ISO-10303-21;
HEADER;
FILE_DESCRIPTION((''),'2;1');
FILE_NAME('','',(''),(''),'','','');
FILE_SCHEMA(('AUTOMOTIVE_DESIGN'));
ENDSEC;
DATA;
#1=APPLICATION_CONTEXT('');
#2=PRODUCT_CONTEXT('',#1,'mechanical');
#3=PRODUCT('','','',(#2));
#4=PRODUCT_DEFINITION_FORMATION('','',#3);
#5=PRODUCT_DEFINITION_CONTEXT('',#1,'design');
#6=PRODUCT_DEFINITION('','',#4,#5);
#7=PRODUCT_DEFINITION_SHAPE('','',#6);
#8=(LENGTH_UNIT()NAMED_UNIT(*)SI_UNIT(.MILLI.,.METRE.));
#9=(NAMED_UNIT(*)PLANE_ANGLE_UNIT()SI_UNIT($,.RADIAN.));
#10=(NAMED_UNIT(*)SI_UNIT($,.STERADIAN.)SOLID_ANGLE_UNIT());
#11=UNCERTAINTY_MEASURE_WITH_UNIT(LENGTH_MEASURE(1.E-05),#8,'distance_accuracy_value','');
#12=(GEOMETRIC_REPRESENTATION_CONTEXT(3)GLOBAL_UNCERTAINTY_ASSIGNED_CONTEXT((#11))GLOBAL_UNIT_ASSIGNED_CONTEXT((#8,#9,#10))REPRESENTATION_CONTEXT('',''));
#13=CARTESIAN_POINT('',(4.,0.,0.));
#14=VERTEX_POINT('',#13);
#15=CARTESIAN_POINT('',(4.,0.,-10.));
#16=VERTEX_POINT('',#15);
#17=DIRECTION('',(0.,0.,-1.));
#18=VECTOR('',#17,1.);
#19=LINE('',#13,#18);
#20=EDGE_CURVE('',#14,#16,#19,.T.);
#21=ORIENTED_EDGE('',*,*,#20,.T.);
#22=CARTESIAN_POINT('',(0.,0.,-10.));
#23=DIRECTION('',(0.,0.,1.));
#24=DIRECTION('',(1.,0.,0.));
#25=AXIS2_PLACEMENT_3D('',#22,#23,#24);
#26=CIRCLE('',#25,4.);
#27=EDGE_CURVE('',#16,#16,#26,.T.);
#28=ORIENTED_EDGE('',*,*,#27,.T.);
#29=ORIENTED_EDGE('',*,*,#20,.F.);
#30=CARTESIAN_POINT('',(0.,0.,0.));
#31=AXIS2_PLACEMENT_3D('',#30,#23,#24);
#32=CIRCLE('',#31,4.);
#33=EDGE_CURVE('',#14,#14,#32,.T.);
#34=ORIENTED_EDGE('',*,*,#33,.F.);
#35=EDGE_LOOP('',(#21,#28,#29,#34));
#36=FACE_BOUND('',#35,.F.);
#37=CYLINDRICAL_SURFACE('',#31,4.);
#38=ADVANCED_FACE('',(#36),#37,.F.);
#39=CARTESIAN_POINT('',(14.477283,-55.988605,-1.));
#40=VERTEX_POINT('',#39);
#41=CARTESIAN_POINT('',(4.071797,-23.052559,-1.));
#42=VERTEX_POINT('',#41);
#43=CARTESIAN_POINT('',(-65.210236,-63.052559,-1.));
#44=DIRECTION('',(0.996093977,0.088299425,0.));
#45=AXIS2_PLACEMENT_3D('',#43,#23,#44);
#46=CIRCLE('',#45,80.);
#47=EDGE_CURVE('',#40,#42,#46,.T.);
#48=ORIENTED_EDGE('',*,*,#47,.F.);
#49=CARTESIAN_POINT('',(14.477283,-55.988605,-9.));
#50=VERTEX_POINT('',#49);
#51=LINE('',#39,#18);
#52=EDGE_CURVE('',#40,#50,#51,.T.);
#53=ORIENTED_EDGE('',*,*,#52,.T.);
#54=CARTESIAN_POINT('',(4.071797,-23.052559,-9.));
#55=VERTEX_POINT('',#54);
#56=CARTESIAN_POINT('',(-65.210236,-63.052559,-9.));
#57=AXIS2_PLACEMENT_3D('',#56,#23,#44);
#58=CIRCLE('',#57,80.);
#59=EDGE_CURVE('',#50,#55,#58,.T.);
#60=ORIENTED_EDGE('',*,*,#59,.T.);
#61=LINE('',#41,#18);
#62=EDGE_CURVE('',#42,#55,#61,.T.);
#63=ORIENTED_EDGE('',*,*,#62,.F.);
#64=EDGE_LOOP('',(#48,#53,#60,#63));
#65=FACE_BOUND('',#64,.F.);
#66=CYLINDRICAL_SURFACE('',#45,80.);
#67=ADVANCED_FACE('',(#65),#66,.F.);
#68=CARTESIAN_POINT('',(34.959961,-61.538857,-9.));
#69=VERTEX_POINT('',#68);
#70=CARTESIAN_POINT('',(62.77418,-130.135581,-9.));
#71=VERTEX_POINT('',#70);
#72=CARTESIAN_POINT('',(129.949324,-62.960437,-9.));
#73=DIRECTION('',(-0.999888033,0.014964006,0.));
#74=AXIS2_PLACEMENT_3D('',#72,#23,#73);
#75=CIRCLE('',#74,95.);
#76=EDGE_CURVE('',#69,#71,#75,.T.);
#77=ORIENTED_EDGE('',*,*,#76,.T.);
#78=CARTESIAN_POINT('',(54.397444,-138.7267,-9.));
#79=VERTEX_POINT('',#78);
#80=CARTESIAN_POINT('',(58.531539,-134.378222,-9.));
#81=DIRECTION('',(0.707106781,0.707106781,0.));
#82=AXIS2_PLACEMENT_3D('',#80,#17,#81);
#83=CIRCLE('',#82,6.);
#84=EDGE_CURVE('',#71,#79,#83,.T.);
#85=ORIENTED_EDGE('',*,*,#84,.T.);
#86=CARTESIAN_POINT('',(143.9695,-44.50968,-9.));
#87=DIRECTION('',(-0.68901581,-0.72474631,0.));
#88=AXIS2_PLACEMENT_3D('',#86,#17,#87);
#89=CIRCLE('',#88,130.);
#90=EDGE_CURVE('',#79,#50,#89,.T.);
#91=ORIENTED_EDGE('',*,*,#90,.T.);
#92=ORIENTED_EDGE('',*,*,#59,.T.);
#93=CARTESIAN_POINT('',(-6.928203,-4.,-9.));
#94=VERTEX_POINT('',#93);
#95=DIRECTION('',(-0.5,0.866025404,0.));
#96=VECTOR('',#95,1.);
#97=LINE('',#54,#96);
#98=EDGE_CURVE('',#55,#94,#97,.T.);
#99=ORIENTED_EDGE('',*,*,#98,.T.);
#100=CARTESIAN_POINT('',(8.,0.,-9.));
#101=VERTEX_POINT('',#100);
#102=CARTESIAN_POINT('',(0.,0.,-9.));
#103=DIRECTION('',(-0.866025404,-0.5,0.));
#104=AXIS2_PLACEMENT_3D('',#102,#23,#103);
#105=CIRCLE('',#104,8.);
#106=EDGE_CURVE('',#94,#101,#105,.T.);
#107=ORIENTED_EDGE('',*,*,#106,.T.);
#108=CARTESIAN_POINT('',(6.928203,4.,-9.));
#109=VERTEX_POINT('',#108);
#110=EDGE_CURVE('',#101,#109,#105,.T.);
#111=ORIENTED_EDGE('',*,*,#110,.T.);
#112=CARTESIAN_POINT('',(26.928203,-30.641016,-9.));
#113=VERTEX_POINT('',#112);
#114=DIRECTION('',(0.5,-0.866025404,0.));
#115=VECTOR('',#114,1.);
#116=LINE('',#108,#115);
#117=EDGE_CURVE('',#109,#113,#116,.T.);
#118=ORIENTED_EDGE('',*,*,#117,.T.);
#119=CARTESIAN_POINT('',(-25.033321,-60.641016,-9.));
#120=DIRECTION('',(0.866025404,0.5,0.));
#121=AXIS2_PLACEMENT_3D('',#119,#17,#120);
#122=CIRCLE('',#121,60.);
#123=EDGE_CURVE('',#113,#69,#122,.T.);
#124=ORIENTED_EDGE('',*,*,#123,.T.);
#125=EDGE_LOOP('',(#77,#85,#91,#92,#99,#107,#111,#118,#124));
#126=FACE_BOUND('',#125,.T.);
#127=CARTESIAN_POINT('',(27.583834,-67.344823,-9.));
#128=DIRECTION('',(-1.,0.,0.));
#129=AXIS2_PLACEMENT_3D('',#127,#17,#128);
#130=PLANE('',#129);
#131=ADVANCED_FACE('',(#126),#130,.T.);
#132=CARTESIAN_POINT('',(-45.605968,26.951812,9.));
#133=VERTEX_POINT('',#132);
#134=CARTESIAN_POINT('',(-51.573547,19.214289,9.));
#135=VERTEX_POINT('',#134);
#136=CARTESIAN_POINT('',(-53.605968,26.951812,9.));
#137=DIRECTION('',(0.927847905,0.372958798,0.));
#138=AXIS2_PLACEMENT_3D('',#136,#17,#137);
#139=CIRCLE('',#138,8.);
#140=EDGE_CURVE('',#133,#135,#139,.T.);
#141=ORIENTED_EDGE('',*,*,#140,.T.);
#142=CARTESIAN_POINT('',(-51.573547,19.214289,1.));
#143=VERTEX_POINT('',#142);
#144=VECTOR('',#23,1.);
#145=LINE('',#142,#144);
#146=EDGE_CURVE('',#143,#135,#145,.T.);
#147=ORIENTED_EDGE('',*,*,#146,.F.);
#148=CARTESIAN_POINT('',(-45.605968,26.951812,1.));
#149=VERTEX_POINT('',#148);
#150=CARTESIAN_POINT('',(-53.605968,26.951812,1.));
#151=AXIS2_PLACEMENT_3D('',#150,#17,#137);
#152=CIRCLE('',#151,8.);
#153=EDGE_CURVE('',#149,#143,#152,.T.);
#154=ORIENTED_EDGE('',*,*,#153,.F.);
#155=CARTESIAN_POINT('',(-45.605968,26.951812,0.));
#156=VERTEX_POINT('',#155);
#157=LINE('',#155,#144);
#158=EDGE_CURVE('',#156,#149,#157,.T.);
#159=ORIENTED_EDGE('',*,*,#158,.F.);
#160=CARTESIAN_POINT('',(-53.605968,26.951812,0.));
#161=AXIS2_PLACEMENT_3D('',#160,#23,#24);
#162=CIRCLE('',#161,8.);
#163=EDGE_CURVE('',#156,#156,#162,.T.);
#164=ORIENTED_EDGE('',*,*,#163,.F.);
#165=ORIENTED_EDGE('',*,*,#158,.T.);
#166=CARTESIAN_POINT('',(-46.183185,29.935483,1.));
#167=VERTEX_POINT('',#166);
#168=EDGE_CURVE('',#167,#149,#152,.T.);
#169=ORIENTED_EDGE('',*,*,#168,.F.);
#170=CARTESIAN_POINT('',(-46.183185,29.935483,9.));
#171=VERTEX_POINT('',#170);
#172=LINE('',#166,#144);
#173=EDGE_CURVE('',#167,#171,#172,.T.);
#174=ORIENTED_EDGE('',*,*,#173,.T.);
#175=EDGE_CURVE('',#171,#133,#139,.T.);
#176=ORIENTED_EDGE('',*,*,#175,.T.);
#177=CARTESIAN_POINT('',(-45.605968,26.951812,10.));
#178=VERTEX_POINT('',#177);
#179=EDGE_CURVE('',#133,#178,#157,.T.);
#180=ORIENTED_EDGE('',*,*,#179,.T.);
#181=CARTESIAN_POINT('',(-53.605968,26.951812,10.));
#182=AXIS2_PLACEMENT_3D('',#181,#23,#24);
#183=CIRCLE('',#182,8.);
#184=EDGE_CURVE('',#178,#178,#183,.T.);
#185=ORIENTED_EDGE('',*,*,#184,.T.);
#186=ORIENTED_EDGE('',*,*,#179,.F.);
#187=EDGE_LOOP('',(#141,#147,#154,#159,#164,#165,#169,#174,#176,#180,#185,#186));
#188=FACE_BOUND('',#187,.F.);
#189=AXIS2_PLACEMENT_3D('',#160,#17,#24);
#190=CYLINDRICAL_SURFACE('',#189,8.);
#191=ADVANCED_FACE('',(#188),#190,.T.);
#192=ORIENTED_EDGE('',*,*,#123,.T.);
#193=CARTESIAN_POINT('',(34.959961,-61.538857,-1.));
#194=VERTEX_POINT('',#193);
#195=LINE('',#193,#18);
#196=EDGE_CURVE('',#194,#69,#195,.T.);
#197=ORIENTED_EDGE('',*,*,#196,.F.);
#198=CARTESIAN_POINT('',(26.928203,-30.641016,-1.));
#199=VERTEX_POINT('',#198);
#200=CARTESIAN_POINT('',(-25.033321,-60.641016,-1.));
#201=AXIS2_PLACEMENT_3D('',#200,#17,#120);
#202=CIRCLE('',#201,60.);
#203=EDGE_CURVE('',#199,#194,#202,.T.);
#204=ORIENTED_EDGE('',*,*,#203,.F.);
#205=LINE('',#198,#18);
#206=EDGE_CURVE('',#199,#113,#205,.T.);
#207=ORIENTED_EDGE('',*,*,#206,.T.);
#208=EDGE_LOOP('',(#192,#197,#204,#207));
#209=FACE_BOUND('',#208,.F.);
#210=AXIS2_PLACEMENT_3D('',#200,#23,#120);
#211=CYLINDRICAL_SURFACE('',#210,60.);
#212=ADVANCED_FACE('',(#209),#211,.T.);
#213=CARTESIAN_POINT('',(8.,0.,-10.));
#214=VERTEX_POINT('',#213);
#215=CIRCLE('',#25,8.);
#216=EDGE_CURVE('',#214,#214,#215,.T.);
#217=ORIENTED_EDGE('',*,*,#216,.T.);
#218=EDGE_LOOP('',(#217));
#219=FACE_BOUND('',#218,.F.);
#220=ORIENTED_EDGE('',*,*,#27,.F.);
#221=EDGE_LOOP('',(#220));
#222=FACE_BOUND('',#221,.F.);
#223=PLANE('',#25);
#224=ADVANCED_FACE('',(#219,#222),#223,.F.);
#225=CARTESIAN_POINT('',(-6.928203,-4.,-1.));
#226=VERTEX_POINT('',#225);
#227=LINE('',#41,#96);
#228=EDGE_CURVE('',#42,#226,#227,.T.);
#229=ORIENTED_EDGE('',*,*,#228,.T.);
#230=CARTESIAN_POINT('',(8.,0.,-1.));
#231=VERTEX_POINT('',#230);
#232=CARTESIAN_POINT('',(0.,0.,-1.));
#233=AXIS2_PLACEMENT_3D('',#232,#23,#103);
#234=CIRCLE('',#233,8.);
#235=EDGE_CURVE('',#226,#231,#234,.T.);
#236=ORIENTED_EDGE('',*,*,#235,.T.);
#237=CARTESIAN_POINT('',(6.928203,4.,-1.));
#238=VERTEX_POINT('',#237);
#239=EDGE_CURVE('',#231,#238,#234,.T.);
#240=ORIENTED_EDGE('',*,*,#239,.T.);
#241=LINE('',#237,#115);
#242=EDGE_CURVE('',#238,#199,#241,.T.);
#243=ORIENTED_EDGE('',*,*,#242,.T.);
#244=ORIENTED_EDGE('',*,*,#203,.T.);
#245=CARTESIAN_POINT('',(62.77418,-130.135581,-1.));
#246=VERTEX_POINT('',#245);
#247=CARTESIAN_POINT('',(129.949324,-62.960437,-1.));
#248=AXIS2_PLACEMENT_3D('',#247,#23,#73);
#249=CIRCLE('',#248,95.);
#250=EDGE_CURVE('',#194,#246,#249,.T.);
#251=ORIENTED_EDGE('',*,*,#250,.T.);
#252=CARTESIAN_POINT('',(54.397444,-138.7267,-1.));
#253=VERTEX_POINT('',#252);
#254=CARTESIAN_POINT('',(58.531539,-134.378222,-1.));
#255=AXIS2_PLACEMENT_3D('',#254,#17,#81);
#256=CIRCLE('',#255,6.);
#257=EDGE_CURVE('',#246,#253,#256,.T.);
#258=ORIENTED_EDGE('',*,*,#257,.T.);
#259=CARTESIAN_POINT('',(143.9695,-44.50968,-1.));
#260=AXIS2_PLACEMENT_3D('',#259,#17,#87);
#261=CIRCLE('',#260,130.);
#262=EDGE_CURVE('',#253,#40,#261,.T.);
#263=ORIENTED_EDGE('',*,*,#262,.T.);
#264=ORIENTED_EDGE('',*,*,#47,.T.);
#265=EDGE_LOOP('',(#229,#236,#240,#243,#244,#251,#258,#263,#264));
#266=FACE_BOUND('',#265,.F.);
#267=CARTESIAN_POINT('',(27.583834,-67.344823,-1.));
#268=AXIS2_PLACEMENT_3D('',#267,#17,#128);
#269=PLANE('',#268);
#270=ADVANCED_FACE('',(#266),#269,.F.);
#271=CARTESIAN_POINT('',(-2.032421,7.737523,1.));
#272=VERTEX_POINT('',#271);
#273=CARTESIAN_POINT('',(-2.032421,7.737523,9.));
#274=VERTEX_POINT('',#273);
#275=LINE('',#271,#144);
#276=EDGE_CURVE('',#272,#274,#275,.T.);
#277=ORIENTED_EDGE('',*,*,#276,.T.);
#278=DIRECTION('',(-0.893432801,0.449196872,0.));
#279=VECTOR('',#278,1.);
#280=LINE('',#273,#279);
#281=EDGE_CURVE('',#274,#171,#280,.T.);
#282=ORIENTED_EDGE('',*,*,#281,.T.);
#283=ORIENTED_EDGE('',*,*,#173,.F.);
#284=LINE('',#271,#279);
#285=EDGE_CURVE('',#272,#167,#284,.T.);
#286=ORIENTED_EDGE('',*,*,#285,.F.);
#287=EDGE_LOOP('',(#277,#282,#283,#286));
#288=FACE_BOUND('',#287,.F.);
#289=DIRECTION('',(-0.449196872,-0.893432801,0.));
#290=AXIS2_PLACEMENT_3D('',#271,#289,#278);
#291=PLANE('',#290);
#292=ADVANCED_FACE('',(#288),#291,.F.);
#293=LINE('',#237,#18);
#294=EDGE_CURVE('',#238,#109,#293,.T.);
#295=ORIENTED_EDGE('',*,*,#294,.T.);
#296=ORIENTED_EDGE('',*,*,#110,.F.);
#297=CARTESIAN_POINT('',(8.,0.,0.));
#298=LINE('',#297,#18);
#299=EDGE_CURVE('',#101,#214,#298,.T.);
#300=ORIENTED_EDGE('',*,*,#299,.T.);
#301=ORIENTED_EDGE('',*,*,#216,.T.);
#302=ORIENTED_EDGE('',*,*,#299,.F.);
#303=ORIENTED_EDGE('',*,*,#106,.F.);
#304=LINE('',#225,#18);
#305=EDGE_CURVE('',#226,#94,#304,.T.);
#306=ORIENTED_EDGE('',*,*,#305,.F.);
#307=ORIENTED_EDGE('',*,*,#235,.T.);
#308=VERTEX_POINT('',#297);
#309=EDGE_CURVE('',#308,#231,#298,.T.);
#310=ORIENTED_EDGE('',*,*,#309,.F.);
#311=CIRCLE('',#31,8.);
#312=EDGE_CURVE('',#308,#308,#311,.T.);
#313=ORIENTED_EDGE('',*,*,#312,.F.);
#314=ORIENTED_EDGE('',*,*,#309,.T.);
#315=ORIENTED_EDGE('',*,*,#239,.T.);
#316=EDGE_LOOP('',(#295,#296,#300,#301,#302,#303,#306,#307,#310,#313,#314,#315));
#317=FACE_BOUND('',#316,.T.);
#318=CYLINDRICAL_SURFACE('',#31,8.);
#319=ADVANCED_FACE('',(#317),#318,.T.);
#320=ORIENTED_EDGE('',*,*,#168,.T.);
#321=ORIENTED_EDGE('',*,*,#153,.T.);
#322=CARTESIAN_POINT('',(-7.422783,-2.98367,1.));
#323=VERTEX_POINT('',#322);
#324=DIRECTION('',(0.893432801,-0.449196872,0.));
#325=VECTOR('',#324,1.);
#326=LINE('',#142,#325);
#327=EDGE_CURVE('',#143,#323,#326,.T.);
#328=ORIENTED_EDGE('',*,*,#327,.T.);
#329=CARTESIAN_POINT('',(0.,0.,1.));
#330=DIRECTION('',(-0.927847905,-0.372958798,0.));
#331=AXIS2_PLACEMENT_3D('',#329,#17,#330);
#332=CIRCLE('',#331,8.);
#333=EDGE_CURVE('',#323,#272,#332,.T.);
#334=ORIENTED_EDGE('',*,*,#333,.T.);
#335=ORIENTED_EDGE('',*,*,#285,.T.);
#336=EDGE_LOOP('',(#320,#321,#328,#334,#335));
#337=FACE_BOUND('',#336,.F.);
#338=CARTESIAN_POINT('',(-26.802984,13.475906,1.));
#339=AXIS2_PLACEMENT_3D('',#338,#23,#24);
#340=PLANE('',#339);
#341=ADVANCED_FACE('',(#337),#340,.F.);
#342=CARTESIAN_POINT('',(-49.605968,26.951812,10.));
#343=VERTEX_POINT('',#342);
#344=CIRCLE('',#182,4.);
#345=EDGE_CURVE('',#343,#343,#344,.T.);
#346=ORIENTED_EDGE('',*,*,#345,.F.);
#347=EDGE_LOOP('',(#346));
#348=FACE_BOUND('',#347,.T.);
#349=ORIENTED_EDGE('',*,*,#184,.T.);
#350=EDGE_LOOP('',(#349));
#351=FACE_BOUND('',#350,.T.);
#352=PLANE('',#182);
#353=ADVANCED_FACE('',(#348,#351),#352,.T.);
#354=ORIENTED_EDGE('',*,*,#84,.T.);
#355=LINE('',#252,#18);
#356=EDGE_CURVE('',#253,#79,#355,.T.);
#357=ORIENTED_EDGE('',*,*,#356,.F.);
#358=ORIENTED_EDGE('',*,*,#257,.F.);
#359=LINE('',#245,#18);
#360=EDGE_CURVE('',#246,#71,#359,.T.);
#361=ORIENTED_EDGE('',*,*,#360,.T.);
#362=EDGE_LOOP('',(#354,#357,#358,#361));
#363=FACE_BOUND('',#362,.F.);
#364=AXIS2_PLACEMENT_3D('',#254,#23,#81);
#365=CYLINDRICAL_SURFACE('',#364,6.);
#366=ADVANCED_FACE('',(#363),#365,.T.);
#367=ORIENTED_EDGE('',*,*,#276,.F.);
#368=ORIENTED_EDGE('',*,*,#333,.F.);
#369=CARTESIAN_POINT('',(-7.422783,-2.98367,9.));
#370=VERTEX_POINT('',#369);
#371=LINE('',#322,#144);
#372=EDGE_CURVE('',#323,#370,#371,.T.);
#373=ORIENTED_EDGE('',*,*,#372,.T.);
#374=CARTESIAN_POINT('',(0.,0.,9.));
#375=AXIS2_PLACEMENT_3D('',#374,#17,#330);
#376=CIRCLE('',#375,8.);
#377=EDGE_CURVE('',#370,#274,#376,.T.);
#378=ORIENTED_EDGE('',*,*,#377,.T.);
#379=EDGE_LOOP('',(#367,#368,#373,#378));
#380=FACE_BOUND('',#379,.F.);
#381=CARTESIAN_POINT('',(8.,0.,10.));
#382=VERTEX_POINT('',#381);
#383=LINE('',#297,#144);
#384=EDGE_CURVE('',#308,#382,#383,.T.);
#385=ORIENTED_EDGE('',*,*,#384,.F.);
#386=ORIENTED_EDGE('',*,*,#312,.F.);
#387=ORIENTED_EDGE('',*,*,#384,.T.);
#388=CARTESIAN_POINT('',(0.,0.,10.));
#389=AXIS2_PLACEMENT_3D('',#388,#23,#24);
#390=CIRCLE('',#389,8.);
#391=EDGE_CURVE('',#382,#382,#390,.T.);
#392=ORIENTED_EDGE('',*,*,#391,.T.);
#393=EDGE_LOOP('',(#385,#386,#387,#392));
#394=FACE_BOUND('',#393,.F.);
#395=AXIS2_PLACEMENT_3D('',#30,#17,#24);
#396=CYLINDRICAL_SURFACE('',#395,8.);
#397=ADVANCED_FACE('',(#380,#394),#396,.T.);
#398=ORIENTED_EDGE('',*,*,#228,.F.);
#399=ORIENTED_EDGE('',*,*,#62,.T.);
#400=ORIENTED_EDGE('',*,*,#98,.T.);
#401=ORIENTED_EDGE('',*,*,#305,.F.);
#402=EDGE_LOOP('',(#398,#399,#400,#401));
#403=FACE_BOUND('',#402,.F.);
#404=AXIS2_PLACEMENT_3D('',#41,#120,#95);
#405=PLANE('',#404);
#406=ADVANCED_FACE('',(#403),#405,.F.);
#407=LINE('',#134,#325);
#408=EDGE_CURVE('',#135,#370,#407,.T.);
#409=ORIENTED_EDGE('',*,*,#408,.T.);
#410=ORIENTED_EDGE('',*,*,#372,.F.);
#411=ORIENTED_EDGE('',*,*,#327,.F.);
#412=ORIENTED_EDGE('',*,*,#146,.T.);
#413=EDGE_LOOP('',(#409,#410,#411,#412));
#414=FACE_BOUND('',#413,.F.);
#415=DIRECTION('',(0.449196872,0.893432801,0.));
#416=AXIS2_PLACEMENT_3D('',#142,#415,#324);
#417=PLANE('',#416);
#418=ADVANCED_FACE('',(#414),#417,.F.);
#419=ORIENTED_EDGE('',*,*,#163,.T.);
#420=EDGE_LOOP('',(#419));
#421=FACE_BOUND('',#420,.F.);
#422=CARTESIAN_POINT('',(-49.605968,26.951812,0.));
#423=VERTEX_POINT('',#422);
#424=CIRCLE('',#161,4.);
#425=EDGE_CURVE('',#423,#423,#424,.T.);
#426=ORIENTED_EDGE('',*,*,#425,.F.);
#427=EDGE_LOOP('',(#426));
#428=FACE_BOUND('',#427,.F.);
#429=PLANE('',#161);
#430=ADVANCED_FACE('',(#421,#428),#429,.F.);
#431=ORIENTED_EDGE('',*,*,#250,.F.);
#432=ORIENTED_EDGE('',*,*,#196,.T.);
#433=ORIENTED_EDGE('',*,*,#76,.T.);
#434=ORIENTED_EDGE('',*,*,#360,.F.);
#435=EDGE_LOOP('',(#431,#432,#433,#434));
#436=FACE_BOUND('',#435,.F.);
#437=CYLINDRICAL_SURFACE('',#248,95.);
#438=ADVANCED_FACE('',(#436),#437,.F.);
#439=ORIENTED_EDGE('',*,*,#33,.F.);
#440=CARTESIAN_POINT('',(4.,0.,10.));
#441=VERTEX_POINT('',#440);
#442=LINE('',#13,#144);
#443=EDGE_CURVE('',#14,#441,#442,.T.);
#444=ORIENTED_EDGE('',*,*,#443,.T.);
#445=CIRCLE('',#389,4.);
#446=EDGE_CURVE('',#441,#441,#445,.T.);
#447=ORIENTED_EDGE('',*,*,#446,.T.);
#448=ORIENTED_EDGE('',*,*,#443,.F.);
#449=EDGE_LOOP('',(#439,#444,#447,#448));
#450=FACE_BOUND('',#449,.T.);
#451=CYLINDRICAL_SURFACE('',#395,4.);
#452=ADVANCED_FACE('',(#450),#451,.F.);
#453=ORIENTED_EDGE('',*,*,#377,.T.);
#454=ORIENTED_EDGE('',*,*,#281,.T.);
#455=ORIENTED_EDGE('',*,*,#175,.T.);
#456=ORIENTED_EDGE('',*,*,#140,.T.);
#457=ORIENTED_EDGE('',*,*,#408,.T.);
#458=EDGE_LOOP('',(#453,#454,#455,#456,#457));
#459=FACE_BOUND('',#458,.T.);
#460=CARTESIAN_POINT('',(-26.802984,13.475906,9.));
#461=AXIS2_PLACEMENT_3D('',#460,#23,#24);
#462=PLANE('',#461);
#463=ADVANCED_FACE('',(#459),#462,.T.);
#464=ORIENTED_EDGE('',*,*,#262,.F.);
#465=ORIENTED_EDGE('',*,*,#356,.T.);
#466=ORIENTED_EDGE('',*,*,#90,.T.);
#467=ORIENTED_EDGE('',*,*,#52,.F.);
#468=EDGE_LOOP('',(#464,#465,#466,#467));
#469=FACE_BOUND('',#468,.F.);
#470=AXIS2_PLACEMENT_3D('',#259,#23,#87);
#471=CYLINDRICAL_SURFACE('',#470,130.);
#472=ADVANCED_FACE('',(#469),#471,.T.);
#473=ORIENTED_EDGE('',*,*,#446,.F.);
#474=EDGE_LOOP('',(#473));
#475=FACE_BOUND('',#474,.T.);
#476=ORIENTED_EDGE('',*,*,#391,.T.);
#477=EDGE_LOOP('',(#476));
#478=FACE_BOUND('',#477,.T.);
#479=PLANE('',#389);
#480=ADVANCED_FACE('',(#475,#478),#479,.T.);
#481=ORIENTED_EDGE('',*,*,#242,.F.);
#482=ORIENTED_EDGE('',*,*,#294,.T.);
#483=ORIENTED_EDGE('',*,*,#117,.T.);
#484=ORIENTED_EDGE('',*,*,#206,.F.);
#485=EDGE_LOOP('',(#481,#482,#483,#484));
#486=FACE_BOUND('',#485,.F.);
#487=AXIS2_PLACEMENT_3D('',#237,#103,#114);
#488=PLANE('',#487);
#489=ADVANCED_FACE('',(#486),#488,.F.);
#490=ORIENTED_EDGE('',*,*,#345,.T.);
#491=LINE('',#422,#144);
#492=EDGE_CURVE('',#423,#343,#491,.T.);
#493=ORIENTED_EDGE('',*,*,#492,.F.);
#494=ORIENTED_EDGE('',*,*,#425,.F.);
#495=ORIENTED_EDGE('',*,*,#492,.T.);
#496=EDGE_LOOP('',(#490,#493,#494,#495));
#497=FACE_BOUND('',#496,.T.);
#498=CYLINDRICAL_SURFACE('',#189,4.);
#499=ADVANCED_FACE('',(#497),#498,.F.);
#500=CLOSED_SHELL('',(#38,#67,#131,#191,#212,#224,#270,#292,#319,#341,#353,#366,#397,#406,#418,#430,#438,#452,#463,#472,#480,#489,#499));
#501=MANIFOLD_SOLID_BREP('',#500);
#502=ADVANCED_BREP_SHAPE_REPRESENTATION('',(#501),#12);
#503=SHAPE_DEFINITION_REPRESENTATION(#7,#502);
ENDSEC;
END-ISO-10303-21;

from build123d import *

# Parameters (mm, degrees)
SKETCH_1_R        = 8
SKETCH_1_R_2      = 4
EXTRUDE_1_DEPTH   = 10
EXTRUDE_1_2_DEPTH = 10
EXTRUDE_START     = 1
EXTRUDE_2_DEPTH   = 8
EXTRUDE_START_2   = -1
EXTRUDE_3_DEPTH   = 8
SKETCH_5_R        = 8
SKETCH_5_R_2      = 4
EXTRUDE_4_DEPTH   = 10


with BuildPart() as part:
    # 草图1 → 凸台-拉伸1 (new body)
    with BuildSketch(Plane.XY):
        Circle(SKETCH_1_R)
        Circle(SKETCH_1_R_2, mode=Mode.SUBTRACT)
    extrude(amount=EXTRUDE_1_DEPTH)



with BuildPart() as body_2:
    # 草图1 → Extrude 1 2 (new body)
    with BuildSketch(Plane.XY):
        with Locations((-53.605968084, 26.951812291)):
            Circle(SKETCH_1_R)
        with Locations((-53.605968084, 26.951812291)):
            Circle(SKETCH_1_R_2, mode=Mode.SUBTRACT)
    extrude(amount=EXTRUDE_1_2_DEPTH)


with BuildPart() as part_1:
    add(part.part)

    add(body_2.part)  # 凸台-拉伸2 merges body 2
    # 草图3 → 凸台-拉伸2 (add)
    with BuildSketch(Plane.XY.offset(EXTRUDE_START)):
        with BuildLine():
            Line((-51.573547302, 19.214289059), (-7.42278324, -2.983670385))
            ThreePointArc((-7.42278324, -2.983670385), (-7.147462411, 3.593574972), (-2.032420782, 7.737523232))
            Line((-2.032420782, 7.737523232), (-46.183184844, 29.935482676))
            ThreePointArc((-46.183184844, 29.935482676), (-46.458505673, 23.358237319), (-51.573547302, 19.214289059))
        make_face()
    extrude(amount=EXTRUDE_2_DEPTH)



with BuildPart() as body_2_2:
    # 草图4 → 凸台-拉伸3 (new body)
    with BuildSketch(Plane.XY.offset(EXTRUDE_START_2)):
        with BuildLine():
            Line((6.92820323, 4), (26.92820323, -30.641016151))
            ThreePointArc((26.92820323, -30.641016151), (33.036798625, -45.545943872), (34.959960983, -61.538856509))
            ThreePointArc((34.959960983, -61.538856509), (41.911210079, -98.657642521), (62.774179905, -130.135581289))
            ThreePointArc((62.774179905, -130.135581289), (62.827441336, -138.566924041), (54.397444356, -138.726699833))
            ThreePointArc((54.397444356, -138.726699833), (26.885397662, -101.001387411), (14.477282647, -55.988604867))
            ThreePointArc((14.477282647, -55.988604867), (11.073298234, -38.952300047), (4.07179677, -23.052558883))
            Line((4.07179677, -23.052558883), (-6.92820323, -4))
            ThreePointArc((-6.92820323, -4), (4, -6.92820323), (6.92820323, 4))
        make_face()
    extrude(amount=-EXTRUDE_3_DEPTH)


with BuildPart() as part_2:
    add(part_1.part)

    add(body_2_2.part)  # 凸台-拉伸4 merges body 2 2
    # 草图5 → 凸台-拉伸4 (add)
    with BuildSketch(Plane.XY):
        Circle(SKETCH_5_R)
        Circle(SKETCH_5_R_2, mode=Mode.SUBTRACT)
    extrude(amount=-EXTRUDE_4_DEPTH)


solid = part_2.part
